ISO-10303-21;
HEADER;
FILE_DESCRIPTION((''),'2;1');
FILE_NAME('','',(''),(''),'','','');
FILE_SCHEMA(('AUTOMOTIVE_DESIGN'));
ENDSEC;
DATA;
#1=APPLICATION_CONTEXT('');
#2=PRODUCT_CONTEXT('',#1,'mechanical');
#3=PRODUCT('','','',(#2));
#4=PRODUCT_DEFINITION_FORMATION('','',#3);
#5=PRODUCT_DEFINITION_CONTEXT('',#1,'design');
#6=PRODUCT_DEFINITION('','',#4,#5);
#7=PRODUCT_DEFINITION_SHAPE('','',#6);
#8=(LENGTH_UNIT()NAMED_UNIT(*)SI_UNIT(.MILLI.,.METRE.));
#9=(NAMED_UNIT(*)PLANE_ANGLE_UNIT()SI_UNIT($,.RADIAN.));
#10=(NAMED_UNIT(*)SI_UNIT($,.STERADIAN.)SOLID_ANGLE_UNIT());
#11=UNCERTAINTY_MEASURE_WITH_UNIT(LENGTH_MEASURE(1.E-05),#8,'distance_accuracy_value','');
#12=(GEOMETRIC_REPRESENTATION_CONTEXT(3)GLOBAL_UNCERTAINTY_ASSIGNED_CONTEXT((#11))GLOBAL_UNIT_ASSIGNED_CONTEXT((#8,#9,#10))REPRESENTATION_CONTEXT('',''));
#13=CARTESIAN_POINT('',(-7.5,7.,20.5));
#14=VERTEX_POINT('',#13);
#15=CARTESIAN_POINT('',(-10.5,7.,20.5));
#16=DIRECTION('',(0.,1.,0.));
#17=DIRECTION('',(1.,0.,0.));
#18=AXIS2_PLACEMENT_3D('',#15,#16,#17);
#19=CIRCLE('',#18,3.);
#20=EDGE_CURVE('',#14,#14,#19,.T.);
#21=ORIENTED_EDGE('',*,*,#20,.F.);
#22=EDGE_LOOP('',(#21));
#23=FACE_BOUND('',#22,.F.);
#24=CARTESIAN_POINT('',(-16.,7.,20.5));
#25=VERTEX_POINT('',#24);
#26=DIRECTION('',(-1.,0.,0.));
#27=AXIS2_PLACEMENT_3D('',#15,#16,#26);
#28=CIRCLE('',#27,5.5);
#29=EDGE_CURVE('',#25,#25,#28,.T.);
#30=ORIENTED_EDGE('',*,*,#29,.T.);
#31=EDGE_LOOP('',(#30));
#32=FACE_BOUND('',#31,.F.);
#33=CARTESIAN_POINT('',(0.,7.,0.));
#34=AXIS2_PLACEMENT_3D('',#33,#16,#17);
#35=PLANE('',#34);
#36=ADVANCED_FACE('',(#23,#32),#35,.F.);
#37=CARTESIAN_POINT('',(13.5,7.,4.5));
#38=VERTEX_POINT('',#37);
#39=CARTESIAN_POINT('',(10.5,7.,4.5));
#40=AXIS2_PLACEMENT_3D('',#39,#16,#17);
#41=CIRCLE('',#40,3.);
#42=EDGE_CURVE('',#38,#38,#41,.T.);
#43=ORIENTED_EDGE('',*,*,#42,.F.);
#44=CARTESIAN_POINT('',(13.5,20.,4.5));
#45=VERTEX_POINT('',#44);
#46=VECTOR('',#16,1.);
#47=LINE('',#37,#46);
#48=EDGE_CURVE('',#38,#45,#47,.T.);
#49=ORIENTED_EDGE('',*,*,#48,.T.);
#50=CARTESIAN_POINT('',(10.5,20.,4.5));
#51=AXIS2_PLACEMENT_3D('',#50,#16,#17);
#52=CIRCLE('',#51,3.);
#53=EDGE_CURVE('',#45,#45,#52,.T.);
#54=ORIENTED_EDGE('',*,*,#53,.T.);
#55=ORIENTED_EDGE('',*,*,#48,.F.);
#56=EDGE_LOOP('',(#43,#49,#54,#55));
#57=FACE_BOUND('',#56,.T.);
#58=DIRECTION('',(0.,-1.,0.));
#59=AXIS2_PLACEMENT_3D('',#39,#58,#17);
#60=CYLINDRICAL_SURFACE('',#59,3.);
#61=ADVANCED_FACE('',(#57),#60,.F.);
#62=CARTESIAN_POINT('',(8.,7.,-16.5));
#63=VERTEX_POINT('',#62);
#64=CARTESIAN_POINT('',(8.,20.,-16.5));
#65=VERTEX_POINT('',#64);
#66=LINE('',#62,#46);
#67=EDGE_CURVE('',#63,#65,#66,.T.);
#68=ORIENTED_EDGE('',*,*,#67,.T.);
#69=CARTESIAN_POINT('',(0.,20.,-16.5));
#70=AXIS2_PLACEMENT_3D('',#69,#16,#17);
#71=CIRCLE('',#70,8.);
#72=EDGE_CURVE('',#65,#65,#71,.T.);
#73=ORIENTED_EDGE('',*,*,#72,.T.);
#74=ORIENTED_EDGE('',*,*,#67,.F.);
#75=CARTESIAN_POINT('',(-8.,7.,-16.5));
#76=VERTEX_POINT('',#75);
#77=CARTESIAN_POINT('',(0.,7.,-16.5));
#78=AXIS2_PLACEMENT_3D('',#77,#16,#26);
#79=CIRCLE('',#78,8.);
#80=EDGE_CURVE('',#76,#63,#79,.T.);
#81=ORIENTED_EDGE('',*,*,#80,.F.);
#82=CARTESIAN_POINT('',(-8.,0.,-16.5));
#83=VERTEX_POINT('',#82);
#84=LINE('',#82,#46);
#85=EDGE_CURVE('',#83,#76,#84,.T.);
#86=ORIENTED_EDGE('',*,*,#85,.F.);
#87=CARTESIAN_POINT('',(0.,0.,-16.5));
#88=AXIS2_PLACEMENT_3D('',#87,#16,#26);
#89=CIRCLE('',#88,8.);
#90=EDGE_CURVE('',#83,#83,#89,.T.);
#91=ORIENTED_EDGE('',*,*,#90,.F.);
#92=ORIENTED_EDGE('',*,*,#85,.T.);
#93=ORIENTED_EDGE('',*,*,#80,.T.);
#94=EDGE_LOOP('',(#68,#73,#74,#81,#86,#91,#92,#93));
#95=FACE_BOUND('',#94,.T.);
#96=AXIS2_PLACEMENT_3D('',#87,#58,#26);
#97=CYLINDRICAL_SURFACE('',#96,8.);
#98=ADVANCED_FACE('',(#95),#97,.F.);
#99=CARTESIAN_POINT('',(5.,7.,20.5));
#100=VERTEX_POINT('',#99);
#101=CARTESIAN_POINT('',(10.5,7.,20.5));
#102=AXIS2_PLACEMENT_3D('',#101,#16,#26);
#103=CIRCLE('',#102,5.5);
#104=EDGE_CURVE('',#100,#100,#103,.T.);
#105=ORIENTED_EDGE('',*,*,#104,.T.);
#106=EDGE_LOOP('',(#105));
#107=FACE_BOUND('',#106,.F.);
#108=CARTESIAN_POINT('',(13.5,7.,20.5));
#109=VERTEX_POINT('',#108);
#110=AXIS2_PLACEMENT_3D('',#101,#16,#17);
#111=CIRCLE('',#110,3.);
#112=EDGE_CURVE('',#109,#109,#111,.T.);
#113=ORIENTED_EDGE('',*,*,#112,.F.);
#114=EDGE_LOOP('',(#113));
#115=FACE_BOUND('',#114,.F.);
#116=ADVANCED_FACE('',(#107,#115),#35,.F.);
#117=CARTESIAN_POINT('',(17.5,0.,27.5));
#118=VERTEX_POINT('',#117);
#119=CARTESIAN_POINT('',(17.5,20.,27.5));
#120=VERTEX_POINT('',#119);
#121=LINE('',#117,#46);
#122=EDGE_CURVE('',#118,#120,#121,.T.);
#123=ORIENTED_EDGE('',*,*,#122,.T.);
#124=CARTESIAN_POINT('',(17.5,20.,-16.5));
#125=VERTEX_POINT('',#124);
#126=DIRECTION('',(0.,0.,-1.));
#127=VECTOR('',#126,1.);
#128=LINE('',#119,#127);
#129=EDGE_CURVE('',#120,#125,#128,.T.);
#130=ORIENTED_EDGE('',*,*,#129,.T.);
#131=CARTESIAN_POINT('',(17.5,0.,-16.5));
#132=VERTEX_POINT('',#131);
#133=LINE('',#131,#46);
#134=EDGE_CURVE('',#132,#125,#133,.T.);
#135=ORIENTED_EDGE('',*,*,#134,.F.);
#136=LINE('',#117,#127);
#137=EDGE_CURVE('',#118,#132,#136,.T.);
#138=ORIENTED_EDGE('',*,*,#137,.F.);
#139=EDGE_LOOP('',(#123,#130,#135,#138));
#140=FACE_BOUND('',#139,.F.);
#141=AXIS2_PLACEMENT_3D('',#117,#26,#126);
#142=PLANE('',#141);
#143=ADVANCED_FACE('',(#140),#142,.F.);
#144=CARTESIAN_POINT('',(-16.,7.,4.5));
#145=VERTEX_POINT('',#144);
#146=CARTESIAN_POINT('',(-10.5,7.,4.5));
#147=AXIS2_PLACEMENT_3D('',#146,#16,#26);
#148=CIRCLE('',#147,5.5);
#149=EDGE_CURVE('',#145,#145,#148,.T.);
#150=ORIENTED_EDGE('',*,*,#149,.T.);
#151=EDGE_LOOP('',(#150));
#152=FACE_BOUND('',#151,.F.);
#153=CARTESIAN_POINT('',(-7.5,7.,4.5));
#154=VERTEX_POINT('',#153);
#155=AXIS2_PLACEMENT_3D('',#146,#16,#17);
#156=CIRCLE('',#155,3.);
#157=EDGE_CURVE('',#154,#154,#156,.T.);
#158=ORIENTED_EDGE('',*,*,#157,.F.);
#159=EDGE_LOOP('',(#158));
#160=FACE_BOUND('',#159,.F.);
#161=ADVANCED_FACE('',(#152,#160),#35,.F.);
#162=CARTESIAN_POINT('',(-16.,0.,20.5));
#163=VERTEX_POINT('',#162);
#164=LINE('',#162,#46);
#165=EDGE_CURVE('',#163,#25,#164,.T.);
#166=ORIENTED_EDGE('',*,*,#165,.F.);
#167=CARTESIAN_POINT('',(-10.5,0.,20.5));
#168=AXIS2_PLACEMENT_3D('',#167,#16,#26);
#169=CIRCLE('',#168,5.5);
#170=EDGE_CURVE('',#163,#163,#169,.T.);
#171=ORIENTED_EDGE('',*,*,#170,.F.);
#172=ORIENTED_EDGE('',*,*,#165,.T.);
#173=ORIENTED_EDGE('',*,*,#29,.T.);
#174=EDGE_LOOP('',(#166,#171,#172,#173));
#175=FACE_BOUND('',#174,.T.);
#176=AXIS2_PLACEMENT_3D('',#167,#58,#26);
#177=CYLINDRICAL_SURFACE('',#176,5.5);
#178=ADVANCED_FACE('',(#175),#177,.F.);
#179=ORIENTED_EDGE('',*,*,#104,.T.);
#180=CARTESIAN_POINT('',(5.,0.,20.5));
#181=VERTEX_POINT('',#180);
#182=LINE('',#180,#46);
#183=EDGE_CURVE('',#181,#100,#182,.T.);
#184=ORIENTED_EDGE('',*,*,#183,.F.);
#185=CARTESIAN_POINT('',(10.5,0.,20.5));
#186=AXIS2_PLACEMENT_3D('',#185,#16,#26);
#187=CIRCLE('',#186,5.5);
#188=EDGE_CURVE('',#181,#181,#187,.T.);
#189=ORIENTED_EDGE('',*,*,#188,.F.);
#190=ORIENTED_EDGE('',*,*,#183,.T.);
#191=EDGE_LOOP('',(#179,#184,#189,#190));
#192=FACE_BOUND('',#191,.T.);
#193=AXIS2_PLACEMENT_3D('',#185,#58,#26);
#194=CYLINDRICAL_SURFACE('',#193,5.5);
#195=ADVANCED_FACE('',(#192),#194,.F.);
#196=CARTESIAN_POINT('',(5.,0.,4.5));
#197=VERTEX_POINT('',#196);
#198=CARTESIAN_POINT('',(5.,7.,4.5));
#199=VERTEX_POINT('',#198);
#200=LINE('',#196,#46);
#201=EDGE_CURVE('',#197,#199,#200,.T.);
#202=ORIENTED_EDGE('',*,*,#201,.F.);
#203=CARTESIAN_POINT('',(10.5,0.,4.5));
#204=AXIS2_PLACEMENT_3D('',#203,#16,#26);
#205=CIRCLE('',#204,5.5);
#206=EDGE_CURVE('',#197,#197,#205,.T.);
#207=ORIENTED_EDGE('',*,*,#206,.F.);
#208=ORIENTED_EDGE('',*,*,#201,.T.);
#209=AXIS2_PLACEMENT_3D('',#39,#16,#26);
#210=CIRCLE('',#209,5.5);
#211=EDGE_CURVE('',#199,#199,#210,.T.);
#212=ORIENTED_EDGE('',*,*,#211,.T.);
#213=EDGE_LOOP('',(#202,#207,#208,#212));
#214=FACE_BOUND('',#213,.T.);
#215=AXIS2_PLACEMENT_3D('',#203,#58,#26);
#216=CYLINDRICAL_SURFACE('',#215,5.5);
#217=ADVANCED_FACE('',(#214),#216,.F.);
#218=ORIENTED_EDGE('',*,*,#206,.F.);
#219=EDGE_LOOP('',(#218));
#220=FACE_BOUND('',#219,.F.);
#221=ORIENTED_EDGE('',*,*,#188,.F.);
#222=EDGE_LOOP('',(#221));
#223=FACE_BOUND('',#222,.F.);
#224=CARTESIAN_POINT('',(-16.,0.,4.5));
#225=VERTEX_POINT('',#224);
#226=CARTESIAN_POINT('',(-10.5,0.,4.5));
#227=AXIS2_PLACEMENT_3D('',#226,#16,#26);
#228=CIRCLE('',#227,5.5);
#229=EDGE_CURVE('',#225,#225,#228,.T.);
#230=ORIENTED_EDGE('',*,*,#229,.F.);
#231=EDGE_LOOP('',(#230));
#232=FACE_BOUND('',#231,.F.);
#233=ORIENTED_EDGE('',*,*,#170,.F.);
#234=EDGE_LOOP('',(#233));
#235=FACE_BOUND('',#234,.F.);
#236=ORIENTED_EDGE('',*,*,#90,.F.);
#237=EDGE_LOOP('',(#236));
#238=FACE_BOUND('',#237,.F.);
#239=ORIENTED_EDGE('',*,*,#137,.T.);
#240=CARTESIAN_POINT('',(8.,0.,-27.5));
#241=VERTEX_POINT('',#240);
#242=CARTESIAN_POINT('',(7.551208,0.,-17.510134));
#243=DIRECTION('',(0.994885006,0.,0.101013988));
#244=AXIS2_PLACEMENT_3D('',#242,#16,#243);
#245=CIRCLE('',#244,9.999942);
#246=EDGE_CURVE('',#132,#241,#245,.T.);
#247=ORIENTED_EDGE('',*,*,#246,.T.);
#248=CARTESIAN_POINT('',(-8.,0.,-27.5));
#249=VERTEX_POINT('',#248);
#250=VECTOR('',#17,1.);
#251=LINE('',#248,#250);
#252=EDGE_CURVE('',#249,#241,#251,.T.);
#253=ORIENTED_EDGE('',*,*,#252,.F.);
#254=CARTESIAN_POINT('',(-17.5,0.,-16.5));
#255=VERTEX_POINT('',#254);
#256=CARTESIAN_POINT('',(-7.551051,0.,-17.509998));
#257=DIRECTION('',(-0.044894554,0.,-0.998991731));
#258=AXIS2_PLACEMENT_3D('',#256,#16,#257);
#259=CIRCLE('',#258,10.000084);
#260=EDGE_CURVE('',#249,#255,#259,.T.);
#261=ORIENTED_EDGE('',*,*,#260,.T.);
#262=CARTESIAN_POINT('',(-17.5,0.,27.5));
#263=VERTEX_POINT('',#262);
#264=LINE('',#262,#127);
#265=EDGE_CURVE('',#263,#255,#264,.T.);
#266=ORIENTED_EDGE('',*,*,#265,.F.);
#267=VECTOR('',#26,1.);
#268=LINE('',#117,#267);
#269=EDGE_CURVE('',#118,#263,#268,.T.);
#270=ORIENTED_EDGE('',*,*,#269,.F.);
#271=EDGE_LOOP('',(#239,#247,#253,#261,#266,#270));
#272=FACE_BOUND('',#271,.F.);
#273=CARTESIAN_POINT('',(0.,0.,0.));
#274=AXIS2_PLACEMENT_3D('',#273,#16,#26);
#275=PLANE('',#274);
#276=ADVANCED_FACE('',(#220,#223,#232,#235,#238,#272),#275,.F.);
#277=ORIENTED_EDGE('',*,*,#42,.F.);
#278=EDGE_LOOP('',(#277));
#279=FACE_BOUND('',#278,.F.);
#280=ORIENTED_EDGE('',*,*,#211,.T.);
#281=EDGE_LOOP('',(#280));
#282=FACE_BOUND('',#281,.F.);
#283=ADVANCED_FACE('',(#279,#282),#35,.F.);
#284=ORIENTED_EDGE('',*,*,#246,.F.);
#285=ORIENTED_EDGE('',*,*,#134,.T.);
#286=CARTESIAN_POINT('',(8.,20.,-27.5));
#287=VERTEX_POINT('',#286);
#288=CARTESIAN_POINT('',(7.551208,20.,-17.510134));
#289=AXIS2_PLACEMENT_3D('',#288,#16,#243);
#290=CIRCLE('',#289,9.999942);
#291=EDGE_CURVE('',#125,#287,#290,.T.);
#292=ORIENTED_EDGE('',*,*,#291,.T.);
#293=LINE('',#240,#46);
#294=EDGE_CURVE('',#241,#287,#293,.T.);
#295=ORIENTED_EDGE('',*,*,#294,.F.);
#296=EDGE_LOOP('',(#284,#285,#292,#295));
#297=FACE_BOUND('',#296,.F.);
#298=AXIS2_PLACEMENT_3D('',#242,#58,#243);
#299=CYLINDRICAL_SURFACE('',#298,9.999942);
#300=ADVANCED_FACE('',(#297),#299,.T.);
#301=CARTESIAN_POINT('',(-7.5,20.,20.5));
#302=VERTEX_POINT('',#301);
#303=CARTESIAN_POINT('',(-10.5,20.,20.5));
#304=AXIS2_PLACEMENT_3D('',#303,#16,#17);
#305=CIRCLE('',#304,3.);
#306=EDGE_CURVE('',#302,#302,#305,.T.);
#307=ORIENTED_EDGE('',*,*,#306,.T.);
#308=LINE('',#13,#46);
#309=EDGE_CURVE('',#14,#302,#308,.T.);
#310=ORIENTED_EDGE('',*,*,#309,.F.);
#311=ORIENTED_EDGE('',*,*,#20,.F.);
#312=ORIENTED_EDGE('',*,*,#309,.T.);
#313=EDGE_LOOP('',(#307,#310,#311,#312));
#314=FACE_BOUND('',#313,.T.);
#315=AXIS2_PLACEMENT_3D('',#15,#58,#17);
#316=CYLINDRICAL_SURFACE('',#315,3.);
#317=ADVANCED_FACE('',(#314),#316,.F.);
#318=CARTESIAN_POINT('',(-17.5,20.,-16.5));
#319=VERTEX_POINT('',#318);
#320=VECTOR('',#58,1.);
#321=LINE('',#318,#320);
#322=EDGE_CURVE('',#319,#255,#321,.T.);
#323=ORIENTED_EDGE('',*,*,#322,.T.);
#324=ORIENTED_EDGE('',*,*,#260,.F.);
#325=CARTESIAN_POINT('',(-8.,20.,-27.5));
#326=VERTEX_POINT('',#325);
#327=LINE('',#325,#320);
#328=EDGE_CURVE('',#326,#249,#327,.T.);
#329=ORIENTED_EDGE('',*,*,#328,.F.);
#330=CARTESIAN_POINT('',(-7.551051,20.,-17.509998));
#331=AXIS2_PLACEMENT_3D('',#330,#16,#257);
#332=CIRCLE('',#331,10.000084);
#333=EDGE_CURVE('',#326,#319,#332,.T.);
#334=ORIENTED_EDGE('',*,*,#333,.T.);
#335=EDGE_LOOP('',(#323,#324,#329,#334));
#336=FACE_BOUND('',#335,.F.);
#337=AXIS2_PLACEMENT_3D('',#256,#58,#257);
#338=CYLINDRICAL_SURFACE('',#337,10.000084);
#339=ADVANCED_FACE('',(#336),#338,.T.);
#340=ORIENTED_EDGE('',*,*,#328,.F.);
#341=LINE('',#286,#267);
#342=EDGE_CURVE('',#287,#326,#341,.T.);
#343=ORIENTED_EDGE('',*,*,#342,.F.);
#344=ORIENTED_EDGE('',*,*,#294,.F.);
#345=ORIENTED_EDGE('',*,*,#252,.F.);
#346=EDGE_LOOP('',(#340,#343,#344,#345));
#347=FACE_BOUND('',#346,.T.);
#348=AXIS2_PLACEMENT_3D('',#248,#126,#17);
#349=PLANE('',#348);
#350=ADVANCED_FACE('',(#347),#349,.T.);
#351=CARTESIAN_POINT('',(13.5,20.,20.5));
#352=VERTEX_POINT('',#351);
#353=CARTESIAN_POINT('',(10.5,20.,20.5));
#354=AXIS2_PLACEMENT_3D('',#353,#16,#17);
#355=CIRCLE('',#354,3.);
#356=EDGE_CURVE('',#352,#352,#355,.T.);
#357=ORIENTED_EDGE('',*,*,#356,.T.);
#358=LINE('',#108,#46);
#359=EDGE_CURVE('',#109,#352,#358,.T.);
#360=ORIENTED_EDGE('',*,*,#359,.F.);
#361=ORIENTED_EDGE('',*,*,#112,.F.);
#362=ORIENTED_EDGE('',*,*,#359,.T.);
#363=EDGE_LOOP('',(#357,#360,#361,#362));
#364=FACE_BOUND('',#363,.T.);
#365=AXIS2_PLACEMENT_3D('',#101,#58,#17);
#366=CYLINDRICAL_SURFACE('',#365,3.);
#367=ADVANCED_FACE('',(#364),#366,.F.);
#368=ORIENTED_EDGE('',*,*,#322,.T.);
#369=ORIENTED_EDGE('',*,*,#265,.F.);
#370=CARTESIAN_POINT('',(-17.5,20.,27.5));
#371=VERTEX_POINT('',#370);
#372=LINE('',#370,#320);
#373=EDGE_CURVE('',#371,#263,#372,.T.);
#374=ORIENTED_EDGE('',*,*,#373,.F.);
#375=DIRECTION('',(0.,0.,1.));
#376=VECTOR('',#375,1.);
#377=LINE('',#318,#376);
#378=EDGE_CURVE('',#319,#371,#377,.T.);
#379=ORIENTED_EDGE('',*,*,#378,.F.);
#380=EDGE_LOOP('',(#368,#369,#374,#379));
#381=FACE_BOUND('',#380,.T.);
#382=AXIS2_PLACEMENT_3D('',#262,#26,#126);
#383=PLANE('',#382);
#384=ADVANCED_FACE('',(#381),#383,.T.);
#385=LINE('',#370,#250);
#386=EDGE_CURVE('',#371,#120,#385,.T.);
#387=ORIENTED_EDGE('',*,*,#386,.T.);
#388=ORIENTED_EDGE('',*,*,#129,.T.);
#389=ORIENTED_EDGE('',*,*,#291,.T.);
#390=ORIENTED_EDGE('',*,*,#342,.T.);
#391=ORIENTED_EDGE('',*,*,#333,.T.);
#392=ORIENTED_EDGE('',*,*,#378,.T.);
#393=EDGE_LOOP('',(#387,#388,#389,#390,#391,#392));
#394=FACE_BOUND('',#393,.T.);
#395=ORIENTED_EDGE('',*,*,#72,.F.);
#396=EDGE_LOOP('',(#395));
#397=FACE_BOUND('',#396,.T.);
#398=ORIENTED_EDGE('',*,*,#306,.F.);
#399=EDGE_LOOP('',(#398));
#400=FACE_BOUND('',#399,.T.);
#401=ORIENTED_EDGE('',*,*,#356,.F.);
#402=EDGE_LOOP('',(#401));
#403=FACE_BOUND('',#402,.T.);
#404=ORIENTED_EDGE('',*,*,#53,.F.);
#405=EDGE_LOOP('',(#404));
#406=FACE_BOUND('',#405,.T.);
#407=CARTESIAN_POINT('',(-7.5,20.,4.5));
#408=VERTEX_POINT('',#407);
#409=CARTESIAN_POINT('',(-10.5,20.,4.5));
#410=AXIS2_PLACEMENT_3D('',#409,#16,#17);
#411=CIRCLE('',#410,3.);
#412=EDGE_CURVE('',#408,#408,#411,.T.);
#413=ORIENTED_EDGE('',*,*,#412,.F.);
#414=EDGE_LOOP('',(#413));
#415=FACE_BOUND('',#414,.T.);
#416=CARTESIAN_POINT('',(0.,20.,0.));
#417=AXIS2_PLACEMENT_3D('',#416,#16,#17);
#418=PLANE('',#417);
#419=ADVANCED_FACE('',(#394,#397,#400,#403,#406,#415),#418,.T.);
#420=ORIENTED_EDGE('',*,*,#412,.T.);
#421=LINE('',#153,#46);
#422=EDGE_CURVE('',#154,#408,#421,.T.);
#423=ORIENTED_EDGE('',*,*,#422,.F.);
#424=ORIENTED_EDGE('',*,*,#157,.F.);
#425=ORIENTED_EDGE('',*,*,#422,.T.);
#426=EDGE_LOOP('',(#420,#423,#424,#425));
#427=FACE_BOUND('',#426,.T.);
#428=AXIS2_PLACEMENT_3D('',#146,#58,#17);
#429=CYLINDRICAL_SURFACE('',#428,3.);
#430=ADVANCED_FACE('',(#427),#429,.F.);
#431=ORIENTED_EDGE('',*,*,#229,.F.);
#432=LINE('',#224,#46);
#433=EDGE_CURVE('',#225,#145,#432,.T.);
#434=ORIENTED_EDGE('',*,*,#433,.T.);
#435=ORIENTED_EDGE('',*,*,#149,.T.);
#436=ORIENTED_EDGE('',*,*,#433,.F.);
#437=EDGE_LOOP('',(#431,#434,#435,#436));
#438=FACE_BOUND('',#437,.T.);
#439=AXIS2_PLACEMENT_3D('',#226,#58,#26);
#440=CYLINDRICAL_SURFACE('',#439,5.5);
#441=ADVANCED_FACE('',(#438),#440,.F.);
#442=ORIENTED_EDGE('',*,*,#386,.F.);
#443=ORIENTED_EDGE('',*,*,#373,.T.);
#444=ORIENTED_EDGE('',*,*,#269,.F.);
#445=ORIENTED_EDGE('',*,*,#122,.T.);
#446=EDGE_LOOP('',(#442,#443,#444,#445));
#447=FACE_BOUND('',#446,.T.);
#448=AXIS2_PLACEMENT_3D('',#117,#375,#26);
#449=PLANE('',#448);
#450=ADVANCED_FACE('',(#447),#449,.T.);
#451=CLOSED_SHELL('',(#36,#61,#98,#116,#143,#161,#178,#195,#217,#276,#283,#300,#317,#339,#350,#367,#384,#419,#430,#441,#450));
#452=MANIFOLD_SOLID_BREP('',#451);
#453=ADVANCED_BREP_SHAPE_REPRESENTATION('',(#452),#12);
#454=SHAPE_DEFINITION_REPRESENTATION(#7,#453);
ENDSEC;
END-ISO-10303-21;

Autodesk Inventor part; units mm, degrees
ref_plane "YZ Plane" through (0, 0, 0) normal (1, 0, 0) x (0, 1, 0)
ref_plane "XZ Plane" through (0, 0, 0) normal (0, 1, 0) x (-1, 0, 0)
ref_plane "XY Plane" through (0, 0, 0) normal (0, 0, 1) x (1, 0, 0)
sketch "Sketch1" plane through (0, 0, 0) normal (0, 1, 0) x (-1, 0, 0)
  line L0 (-17.5, 27.5) -> (17.5, 27.5)
  line L1 (-17.5, 27.5) -> (17.5, -27.5) construction
  line L2 (17.5, 27.5) -> (-17.5, -27.5) construction
  circle A0 centre (10.5, 4.5) radius 5.5
  circle A1 centre (-10.5, 4.5) radius 5.5
  circle A2 centre (-10.5, 20.5) radius 5.5
  circle A3 centre (10.5, 20.5) radius 5.5
  line L3 (17.5, 27.5) -> (17.5, -16.5)
  line L4 (-17.5, 27.5) -> (-17.5, -16.5)
  circle A4 centre (0, -16.5) radius 8
  line L5 (8, -27.5) -> (-8, -27.5)
  arc A5 (8, -27.5) -> (17.5, -16.5) centre (7.5511, -17.5101) ccw
  arc A6 (-17.5, -16.5) -> (-8, -27.5) centre (-7.5511, -17.5101) ccw
  point P0 (0, 0)
  point P1 (0, 27.5)
  dimension "d0" = 35
  dimension "d1" = 55
  dimension "d5" = 11
  dimension "d7" = 11
  dimension "d9" = 11
  dimension "d11" = 11
  dimension "d13" = 7
  dimension "d15" = 23
  dimension "d16" = 21
  dimension "d17" = 10.5
  dimension "d18" = 44
  dimension "d19" = 16
  dimension "d20" = 44
  dimension "d25" = 10
  dimension "d26" = 10
extrude "Extrusion1" add sketch "Sketch1" along normal blind 7
sketch "Sketch2" plane through (0, 7, 0) normal (0, 1, 0) x (1, 0, 0)
  line L0 (-17.5, 16.5) -> (-17.5, -27.5) projected
  line L1 (-17.5, -27.5) -> (-17.5, 16.5)
  line L2 (8, 27.5) -> (-8, 27.5) projected
  line L3 (-8, 27.5) -> (8, 27.5)
  line L4 (17.5, -27.5) -> (17.5, 16.5) projected
  line L5 (17.5, 16.5) -> (17.5, -27.5)
  line L6 (-17.5, -27.5) -> (17.5, -27.5) projected
  line L7 (17.5, -27.5) -> (-17.5, -27.5)
  circle A0 centre (0, 16.5) radius 8
  circle A1 centre (-10.5, -4.5) radius 3
  circle A2 centre (10.5, -4.5) radius 3
  circle A3 centre (10.5, -20.5) radius 3
  circle A4 centre (-10.5, -20.5) radius 3
  arc A5 (-8, 27.5) -> (-17.5, 16.5) centre (-7.5511, 17.5101) ccw projected
  arc A6 (-8, 27.5) -> (-17.5, 16.5) centre (-7.5511, 17.5101) ccw
  arc A7 (17.5, 16.5) -> (8, 27.5) centre (7.5511, 17.5101) ccw
  point P0 (0, 0)
  point P1 (0, -27.5)
  dimension "d29" = 16
  dimension "d30" = 6
  dimension "d31" = 6
  dimension "d32" = 6
  dimension "d33" = 6
  dimension "d34" = 7
  dimension "d35" = 23
  dimension "d36" = 21
  dimension "d37" = 10.5
extrude "Extrusion2" add sketch "Sketch2" along normal blind 13
properties part number "spindel sockel" material "Steel"
